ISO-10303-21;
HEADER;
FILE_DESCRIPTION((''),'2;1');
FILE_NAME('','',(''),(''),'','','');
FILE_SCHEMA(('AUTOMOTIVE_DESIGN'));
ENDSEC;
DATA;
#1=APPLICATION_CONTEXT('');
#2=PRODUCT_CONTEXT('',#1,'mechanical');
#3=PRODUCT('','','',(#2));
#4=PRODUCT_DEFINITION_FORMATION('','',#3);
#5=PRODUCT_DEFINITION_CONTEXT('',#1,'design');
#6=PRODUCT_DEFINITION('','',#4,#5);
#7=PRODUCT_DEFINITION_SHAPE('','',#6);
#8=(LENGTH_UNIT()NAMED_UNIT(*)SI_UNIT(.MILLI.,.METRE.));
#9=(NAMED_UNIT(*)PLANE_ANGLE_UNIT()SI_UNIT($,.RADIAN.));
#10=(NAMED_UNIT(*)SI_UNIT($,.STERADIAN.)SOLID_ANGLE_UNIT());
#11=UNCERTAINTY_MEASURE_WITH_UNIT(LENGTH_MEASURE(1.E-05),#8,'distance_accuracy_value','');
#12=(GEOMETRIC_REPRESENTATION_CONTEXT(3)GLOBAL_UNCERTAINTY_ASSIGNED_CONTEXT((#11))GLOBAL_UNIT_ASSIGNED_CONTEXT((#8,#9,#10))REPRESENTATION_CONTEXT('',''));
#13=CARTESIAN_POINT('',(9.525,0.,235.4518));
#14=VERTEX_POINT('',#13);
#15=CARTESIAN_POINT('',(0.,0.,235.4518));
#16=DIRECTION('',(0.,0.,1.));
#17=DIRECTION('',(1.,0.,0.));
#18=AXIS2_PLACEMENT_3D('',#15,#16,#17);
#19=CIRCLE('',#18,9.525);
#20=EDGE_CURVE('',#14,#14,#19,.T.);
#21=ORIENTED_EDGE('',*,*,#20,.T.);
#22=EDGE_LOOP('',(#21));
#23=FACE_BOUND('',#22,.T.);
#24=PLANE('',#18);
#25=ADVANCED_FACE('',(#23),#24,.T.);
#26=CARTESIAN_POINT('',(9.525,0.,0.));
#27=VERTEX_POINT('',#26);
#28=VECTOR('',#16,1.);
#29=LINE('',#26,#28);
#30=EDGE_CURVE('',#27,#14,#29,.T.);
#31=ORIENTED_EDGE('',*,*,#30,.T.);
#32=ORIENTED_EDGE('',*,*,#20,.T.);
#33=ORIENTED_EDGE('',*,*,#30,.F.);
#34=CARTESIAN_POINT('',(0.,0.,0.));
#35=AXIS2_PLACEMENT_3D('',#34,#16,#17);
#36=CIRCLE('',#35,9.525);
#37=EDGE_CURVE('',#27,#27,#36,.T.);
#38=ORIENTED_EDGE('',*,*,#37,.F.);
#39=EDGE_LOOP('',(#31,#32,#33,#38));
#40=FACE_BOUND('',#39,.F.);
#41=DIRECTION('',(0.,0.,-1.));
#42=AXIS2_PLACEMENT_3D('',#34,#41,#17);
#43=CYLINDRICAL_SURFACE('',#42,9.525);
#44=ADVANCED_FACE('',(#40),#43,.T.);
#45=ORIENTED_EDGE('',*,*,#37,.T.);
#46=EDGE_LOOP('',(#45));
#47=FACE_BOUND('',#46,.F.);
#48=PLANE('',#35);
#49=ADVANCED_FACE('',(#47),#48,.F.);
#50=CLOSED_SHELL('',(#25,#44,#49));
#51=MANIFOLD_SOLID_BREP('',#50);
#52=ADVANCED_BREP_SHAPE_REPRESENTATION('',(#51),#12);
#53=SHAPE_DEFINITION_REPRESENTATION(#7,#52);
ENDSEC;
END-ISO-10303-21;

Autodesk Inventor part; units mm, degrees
ref_plane "YZ Plane" through (0, 0, 0) normal (1, 0, 0) x (0, 1, 0)
ref_plane "Start Plane" through (0, 0, 0) normal (0, 0, 1) x (1, 0, 0)
ref_plane "End Plane" through (0, 0, 235.4518) normal (0, 0, 1) x (1, 0, 0)
sketch "Sketch" plane through (0, 0, 0) normal (0, 0, 1) x (1, 0, 0)
  circle A0 centre (0, 0) radius 9.525
  dimension "d0" = 19.05
extrude "Body" add sketch "Sketch" along normal up to surface (235.4518 mm away) from surface at 0
sketch "Sketch2" plane through (0, 0, 0) normal (0, 0, 1) x (1, 0, 0)
  line L0 (0, 0) -> (10, 0)
ref_plane "Work Plane3" through (0, 0, 0) normal (0, -1, 0) x (1, 0, 0)
sketch "Sketch3" plane through (0, 0, 0) normal (0, -1, 0) x (1, 0, 0)
  line L0 (-2, 0) -> (12, 0) projected
  line L1 (-2, 235.4518) -> (12, 235.4518) projected
  dimension "d7" = 235.4518
equation "\"d0\" = Diam"
equation "\"d1\" = G_L"
equation "\"Diam\" = 19.05"
equation "\"G_L\" = d7"
equation "\"G_OFFSET_START\" = 0"
equation "\"G_OFFSET_END\" = 0"
equation "\"d5\" = G_OFFSET_END + B_L"
equation "\"B_L\" = 235.45181"
properties part number "ANSI/AISC Rolled Steel - 3/4-9.27, RB" material "Steel, Mild"
